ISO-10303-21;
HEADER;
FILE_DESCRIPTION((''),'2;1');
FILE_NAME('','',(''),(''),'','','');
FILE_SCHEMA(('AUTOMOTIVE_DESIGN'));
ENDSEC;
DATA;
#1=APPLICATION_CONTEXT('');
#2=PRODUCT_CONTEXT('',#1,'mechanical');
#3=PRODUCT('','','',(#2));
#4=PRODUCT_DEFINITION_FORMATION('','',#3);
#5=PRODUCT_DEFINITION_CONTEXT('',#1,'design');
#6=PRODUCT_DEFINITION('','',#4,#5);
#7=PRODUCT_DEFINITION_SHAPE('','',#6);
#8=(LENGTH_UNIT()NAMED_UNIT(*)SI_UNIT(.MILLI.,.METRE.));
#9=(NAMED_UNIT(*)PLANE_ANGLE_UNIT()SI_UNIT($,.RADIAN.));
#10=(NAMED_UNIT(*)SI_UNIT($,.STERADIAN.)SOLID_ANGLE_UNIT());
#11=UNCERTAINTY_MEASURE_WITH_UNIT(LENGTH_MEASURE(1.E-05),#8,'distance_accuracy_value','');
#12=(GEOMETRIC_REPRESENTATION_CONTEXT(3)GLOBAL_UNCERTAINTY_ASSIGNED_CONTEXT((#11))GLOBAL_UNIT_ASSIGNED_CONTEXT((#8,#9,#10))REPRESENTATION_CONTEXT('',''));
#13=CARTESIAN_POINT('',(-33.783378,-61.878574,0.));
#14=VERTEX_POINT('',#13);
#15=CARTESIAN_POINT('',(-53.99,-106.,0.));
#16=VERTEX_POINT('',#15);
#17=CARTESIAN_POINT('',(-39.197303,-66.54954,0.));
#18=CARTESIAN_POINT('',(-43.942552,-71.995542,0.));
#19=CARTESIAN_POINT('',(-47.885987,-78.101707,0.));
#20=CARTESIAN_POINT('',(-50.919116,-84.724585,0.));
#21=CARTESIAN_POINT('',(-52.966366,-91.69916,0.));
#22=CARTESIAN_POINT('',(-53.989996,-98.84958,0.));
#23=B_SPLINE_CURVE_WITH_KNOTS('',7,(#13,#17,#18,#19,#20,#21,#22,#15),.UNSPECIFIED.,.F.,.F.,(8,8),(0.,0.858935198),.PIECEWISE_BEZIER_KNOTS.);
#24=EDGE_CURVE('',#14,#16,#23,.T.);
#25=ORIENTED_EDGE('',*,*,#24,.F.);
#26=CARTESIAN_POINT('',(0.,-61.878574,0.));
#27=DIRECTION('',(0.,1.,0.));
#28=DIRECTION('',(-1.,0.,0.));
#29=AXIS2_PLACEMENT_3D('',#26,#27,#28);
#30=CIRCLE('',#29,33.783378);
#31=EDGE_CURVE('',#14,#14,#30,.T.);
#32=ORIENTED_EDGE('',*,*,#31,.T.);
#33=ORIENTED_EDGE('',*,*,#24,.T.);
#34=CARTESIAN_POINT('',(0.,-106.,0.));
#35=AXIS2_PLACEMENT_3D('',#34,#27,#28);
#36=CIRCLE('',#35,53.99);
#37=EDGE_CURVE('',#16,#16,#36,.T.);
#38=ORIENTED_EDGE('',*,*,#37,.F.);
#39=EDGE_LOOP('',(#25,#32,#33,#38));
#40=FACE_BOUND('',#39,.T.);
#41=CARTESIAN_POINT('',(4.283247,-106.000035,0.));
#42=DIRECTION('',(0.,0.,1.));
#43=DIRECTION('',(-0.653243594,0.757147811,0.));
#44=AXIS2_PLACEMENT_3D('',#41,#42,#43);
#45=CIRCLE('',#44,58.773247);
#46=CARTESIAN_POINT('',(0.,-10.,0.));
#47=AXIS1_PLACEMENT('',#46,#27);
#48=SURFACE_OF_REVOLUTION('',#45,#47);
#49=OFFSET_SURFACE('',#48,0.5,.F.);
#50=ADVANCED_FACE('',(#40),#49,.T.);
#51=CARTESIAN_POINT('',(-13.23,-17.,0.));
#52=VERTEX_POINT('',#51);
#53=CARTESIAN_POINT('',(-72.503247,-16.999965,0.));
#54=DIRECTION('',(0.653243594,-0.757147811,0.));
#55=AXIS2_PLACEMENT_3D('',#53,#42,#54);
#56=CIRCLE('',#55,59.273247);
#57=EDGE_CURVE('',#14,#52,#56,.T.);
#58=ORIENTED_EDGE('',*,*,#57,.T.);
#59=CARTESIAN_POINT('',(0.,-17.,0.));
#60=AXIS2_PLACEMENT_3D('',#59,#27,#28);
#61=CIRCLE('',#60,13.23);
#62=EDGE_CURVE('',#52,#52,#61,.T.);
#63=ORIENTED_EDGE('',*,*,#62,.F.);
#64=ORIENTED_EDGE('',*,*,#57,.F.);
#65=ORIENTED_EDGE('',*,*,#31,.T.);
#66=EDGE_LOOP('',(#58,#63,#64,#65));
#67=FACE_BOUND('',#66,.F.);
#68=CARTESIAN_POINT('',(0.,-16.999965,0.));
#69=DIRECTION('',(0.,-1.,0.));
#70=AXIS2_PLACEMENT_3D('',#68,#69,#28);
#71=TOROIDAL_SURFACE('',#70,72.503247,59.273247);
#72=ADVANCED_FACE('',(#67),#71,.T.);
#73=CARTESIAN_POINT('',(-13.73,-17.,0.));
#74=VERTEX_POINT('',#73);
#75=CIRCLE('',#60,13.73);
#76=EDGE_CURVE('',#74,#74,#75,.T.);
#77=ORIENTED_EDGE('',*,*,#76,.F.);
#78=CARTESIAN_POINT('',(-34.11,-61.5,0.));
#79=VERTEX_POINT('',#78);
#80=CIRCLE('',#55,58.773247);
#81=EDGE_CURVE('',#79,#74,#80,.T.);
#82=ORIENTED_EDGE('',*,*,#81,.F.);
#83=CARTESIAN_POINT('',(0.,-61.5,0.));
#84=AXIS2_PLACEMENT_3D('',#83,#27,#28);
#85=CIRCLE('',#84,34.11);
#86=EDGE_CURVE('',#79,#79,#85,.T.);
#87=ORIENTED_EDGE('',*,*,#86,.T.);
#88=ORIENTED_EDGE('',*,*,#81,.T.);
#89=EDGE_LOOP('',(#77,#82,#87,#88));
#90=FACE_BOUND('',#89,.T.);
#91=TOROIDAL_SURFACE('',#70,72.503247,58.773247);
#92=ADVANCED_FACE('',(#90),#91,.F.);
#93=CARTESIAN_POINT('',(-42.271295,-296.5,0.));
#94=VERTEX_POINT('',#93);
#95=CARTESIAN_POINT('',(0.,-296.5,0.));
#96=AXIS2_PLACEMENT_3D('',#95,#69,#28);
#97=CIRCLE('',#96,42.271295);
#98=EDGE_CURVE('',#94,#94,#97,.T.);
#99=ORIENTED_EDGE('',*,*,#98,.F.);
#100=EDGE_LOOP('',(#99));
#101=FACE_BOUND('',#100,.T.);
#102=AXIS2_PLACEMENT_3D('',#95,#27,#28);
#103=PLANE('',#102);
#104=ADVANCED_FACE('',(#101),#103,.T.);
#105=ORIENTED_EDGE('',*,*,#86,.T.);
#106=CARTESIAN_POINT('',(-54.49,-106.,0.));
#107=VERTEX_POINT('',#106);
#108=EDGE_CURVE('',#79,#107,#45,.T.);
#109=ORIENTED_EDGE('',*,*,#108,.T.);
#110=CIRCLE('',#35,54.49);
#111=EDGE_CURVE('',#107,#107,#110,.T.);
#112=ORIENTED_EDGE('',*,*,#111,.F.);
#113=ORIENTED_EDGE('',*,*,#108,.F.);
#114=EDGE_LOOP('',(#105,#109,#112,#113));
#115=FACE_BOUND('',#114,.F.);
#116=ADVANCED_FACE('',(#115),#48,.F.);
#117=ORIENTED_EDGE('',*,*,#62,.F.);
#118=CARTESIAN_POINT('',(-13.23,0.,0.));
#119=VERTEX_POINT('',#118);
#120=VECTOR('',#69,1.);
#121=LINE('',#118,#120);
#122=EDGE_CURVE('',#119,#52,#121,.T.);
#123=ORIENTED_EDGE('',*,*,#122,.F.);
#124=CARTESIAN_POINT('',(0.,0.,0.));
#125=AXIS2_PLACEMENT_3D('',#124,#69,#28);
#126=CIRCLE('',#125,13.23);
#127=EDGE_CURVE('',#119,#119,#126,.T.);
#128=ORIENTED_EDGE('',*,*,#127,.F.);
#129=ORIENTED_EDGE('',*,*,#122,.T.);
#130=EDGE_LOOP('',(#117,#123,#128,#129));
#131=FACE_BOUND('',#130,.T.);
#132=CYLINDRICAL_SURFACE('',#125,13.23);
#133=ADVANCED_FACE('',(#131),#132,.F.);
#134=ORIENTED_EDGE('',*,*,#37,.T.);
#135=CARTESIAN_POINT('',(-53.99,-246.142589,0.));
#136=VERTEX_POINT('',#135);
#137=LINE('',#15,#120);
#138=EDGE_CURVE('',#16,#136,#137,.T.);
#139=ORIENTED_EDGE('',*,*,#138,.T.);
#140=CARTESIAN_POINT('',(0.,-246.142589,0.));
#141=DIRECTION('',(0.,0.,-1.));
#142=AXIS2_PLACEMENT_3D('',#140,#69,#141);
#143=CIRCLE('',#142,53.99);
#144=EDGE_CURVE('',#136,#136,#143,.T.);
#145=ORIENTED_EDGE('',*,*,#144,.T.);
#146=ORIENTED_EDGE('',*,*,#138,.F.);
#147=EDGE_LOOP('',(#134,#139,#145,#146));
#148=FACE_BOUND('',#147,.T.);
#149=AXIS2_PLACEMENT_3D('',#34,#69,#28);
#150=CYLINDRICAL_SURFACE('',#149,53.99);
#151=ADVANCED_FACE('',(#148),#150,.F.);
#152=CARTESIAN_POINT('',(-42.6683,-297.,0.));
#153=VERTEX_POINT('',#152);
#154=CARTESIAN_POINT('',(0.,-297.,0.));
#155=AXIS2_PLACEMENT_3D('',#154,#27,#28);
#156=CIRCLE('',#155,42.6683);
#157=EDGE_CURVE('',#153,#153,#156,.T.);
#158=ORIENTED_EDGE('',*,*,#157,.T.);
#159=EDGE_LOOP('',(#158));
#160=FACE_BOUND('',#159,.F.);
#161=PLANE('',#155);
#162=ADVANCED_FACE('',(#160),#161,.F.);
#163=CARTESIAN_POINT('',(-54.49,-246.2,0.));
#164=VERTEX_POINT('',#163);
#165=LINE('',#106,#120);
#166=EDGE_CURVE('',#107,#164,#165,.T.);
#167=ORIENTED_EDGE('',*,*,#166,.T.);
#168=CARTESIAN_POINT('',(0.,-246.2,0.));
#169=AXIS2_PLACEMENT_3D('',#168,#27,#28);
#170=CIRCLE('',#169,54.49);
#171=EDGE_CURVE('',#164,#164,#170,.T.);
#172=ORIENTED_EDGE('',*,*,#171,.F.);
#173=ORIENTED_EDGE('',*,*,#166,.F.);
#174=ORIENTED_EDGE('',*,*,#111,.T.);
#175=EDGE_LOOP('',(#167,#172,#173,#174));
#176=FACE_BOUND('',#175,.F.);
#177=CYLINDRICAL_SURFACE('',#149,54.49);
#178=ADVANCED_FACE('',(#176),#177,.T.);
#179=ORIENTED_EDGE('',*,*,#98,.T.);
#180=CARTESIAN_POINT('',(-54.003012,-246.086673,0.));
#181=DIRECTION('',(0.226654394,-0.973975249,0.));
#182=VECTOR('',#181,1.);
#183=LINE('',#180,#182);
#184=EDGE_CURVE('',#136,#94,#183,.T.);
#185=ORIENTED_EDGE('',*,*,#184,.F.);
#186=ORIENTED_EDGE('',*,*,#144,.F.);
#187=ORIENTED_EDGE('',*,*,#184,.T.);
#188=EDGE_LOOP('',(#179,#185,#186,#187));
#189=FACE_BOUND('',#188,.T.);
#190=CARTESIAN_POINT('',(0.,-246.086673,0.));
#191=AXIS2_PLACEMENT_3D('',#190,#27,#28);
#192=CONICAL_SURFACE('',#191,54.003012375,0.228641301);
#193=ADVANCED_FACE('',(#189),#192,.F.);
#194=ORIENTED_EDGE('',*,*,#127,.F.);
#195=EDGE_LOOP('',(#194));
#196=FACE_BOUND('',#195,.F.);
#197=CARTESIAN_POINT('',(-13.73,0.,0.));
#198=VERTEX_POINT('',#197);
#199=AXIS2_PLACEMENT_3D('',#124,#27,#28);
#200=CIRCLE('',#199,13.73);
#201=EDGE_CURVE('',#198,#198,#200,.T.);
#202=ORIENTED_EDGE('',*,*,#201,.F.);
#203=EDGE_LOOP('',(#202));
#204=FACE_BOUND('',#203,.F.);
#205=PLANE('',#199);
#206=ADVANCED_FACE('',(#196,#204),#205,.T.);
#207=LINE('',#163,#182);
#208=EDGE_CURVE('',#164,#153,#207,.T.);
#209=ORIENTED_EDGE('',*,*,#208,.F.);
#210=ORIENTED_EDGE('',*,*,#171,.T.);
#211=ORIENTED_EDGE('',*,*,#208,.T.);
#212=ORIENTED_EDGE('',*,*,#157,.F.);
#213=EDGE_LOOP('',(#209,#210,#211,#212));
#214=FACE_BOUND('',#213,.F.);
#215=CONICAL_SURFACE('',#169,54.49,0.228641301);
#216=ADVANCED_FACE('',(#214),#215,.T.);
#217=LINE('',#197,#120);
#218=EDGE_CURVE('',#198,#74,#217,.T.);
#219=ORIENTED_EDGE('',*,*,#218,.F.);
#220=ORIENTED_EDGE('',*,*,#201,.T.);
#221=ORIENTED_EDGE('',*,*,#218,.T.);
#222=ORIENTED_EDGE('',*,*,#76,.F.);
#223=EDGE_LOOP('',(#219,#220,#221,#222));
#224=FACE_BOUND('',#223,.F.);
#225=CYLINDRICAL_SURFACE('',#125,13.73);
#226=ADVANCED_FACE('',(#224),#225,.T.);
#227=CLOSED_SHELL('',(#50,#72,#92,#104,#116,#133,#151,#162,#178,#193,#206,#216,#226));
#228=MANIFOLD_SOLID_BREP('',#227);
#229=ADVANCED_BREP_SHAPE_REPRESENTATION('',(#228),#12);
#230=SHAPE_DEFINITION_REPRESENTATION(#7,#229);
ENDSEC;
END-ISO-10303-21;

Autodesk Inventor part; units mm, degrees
ref_plane "YZ Plane" through (0, 0, 0) normal (1, 0, 0) x (0, 1, 0)
ref_plane "XZ Plane" through (0, 0, 0) normal (0, 1, 0) x (-1, 0, 0)
ref_plane "XY Plane" through (0, 0, 0) normal (0, 0, 1) x (1, 0, 0)
sketch "Sketch1" plane through (0, 0, 0) normal (0, 0, 1) x (1, 0, 0)
  line L0 (0, 0) -> (-13.73, 0)
  line L1 (-13.73, 0) -> (-13.73, -17)
  arc A0 (-34.11, -61.5) -> (-13.73, -17) centre (-72.5032, -17) ccw
  arc A1 (-34.11, -61.5) -> (-54.49, -106) centre (4.2832, -106) ccw
  line L2 (-54.49, -106) -> (-54.49, -246.2)
  line L3 (-54.49, -246.2) -> (-42.6683, -297)
  line L4 (-42.6683, -297) -> (0, -297)
  line L5 (0, -297) -> (0, 0)
  line L6 (0, -356.4) -> (0, 59.4) projected
  dimension "d0" = 13.73
  dimension "d1" = 17
  dimension "d2" = 54.49
  dimension "d3" = 106
  dimension "d4" = 13.1
  dimension "d5" = 297
  dimension "d6" = 50.8
revolve "Revolution1" add sketch "Sketch1" angle 360 about axis through (0, -10, 0) along (0, 1, 0)
shell "Shell1" thickness 0.5 removed faces 1 at (0.5517, 0, -4.0152)
sketch "Sketch2" plane through (0, 0, 0) normal (0, 0, 1) x (1, 0, 0)
  line L0 (53.99, -106) -> (-53.99, -106) projected
  line L1 (13.73, 0) -> (-13.73, 0) construction
  line L2 (-53.99, 0) -> (53.99, 0)
  line L3 (53.99, 0) -> (53.99, -46)
  line L4 (53.99, -46) -> (-53.99, -46)
  line L5 (-53.99, -46) -> (-53.99, 0)
  line L6 (53.99, -266.2) -> (-53.99, -266.2)
  line L7 (-53.99, -266.2) -> (-53.99, -297)
  line L8 (-53.99, -297) -> (53.99, -297)
  line L9 (53.99, -297) -> (53.99, -266.2)
  line L10 (42.6683, -297) -> (-42.6683, -297) projected
  line L11 (54.49, -246.2) -> (-54.49, -246.2) projected
  point P0 (0, 0)
  dimension "d10" = 60
  dimension "d11" = 20
sketch "Sketch3" plane through (0, 0, 0) normal (0, 0, 1) x (1, 0, 0)
  line L0 (-0.5, 0) -> (0.5, 0)
  line L1 (0.5, 0) -> (0.5, -266.2)
  line L2 (0.5, -266.2) -> (-0.5, -266.2)
  line L3 (-0.5, -266.2) -> (-0.5, 0)
  line L4 (49.8358, -266.2) -> (-49.8358, -266.2) projected
  point P0 (0, 0)
  point P1 (0, 0)
  dimension "d15" = 1
sketch "Sketch4" plane through (340.0931, -246.1426, -50.8714) normal (-0.0092, 0, 1) x (1, 0, 0.0092)
  line L0 (-31, 200.1426) -> (-30, 200.1426)
  line L1 (-30, 200.1426) -> (-30, 30)
  line L2 (-30, 30) -> (-31, 30)
  line L3 (-31, 30) -> (-31, 200.1426)
  line L4 (-309.6074, 200.1426) -> (-308.6074, 200.1426)
  line L5 (-308.6074, 200.1426) -> (-308.6074, 30)
  line L6 (-308.6074, 30) -> (-309.6074, 30)
  line L7 (-309.6074, 30) -> (-309.6074, 200.1426)
  line L8 (-0.8007, 200.1426) -> (-338.8067, 200.1426) projected
  line L9 (0, 0) -> (0, 140.1426) projected
  line L10 (0, 0) -> (-339.6074, 0) projected
  line L11 (-339.6074, 140.1426) -> (-339.6074, 0) projected
  dimension "d18" = 1
  dimension "d19" = 30
  dimension "d20" = 30
  dimension "d21" = 30
sketch "Sketch16" plane through (340.1023, -246.2, -51.3714) normal (0.0092, 0, -1) x (-1, 0, -0.0092)
  line L0 (0, 1) -> (30.0046, 31.0046)
  line L1 (30.0046, 30.0574) -> (30.0046, 140.2) projected
  line L2 (0, 140.2) -> (0, 0) projected
  point P0 (339.6166, 246.2)
  dimension "d87" = 45
  dimension "d88" = 1
sketch "Sketch23" plane through (0.5, -246.2, -54.4877) normal (0.0092, 0, -1) x (-1, 0, -0.0092)
  line L0 (0, 1) -> (-30.0046, 31.0046)
  line L1 (0, 0) -> (0, 140.2) projected
  line L2 (-30.0046, 140.2) -> (-30.0046, 30.0574) projected
  line L3 (-339.6166, 0) -> (0, 0) projected
  point P0 (0, 246.2)
  dimension "d136" = 45
  dimension "d137" = 1
sketch "Sketch17" plane through (202.4892, -243.6006, -50.6341) normal (-0.0092, 0, 1) x (1, 0, 0.0092)
  line L0 (105.596, 0) -> (105.596, 30.0046)
  line L1 (105.9965, 30.0046) -> (0, 30.0046) projected
  line L2 (0, 0) -> (136.0011, 0) projected
  line L3 (106.596, 27.458) -> (106.596, 137.6006) projected
  point P0 (-202.016, 243.6006)
  dimension "d101" = 1
sketch "Sketch24" plane through (2.081, -243.6006, -52.4731) normal (-0.0092, 0, 1) x (1, 0, 0.0092)
  line L0 (31.0046, 30.0046) -> (31.0046, 0)
  line L1 (-1.5994, 0) -> (136.0011, 0) projected
  line L2 (136.0011, 30.0046) -> (28.4052, 30.0046) projected
  point P0 (-1.5994, 243.6006)
  point P1 (0, 0)
  point P2 (136.0011, 0)
  point P3 (30.0046, 30.0046)
  point P4 (-1.5994, -2.5994)
  point P5 (28.4052, 27.458)
  dimension "d138" = 1
equation "\"BendRadius\" = Thickness"
equation "\"BendReliefWidth\" = Thickness"
equation "\"BendReliefDepth\" = 0.5 * Thickness"
equation "\"CornerReliefSize\" = 4 * Thickness"
equation "\"MinimumRemnant\" = 2 * Thickness"
equation "\"TransitionRadius\" = BendRadius"
equation "\"JacobiRadiusSize\" = BendRadius"
equation "\"GapSize\" = Thickness"
equation "\"Thickness\" = 0.5"
properties material "PET Plastic"
